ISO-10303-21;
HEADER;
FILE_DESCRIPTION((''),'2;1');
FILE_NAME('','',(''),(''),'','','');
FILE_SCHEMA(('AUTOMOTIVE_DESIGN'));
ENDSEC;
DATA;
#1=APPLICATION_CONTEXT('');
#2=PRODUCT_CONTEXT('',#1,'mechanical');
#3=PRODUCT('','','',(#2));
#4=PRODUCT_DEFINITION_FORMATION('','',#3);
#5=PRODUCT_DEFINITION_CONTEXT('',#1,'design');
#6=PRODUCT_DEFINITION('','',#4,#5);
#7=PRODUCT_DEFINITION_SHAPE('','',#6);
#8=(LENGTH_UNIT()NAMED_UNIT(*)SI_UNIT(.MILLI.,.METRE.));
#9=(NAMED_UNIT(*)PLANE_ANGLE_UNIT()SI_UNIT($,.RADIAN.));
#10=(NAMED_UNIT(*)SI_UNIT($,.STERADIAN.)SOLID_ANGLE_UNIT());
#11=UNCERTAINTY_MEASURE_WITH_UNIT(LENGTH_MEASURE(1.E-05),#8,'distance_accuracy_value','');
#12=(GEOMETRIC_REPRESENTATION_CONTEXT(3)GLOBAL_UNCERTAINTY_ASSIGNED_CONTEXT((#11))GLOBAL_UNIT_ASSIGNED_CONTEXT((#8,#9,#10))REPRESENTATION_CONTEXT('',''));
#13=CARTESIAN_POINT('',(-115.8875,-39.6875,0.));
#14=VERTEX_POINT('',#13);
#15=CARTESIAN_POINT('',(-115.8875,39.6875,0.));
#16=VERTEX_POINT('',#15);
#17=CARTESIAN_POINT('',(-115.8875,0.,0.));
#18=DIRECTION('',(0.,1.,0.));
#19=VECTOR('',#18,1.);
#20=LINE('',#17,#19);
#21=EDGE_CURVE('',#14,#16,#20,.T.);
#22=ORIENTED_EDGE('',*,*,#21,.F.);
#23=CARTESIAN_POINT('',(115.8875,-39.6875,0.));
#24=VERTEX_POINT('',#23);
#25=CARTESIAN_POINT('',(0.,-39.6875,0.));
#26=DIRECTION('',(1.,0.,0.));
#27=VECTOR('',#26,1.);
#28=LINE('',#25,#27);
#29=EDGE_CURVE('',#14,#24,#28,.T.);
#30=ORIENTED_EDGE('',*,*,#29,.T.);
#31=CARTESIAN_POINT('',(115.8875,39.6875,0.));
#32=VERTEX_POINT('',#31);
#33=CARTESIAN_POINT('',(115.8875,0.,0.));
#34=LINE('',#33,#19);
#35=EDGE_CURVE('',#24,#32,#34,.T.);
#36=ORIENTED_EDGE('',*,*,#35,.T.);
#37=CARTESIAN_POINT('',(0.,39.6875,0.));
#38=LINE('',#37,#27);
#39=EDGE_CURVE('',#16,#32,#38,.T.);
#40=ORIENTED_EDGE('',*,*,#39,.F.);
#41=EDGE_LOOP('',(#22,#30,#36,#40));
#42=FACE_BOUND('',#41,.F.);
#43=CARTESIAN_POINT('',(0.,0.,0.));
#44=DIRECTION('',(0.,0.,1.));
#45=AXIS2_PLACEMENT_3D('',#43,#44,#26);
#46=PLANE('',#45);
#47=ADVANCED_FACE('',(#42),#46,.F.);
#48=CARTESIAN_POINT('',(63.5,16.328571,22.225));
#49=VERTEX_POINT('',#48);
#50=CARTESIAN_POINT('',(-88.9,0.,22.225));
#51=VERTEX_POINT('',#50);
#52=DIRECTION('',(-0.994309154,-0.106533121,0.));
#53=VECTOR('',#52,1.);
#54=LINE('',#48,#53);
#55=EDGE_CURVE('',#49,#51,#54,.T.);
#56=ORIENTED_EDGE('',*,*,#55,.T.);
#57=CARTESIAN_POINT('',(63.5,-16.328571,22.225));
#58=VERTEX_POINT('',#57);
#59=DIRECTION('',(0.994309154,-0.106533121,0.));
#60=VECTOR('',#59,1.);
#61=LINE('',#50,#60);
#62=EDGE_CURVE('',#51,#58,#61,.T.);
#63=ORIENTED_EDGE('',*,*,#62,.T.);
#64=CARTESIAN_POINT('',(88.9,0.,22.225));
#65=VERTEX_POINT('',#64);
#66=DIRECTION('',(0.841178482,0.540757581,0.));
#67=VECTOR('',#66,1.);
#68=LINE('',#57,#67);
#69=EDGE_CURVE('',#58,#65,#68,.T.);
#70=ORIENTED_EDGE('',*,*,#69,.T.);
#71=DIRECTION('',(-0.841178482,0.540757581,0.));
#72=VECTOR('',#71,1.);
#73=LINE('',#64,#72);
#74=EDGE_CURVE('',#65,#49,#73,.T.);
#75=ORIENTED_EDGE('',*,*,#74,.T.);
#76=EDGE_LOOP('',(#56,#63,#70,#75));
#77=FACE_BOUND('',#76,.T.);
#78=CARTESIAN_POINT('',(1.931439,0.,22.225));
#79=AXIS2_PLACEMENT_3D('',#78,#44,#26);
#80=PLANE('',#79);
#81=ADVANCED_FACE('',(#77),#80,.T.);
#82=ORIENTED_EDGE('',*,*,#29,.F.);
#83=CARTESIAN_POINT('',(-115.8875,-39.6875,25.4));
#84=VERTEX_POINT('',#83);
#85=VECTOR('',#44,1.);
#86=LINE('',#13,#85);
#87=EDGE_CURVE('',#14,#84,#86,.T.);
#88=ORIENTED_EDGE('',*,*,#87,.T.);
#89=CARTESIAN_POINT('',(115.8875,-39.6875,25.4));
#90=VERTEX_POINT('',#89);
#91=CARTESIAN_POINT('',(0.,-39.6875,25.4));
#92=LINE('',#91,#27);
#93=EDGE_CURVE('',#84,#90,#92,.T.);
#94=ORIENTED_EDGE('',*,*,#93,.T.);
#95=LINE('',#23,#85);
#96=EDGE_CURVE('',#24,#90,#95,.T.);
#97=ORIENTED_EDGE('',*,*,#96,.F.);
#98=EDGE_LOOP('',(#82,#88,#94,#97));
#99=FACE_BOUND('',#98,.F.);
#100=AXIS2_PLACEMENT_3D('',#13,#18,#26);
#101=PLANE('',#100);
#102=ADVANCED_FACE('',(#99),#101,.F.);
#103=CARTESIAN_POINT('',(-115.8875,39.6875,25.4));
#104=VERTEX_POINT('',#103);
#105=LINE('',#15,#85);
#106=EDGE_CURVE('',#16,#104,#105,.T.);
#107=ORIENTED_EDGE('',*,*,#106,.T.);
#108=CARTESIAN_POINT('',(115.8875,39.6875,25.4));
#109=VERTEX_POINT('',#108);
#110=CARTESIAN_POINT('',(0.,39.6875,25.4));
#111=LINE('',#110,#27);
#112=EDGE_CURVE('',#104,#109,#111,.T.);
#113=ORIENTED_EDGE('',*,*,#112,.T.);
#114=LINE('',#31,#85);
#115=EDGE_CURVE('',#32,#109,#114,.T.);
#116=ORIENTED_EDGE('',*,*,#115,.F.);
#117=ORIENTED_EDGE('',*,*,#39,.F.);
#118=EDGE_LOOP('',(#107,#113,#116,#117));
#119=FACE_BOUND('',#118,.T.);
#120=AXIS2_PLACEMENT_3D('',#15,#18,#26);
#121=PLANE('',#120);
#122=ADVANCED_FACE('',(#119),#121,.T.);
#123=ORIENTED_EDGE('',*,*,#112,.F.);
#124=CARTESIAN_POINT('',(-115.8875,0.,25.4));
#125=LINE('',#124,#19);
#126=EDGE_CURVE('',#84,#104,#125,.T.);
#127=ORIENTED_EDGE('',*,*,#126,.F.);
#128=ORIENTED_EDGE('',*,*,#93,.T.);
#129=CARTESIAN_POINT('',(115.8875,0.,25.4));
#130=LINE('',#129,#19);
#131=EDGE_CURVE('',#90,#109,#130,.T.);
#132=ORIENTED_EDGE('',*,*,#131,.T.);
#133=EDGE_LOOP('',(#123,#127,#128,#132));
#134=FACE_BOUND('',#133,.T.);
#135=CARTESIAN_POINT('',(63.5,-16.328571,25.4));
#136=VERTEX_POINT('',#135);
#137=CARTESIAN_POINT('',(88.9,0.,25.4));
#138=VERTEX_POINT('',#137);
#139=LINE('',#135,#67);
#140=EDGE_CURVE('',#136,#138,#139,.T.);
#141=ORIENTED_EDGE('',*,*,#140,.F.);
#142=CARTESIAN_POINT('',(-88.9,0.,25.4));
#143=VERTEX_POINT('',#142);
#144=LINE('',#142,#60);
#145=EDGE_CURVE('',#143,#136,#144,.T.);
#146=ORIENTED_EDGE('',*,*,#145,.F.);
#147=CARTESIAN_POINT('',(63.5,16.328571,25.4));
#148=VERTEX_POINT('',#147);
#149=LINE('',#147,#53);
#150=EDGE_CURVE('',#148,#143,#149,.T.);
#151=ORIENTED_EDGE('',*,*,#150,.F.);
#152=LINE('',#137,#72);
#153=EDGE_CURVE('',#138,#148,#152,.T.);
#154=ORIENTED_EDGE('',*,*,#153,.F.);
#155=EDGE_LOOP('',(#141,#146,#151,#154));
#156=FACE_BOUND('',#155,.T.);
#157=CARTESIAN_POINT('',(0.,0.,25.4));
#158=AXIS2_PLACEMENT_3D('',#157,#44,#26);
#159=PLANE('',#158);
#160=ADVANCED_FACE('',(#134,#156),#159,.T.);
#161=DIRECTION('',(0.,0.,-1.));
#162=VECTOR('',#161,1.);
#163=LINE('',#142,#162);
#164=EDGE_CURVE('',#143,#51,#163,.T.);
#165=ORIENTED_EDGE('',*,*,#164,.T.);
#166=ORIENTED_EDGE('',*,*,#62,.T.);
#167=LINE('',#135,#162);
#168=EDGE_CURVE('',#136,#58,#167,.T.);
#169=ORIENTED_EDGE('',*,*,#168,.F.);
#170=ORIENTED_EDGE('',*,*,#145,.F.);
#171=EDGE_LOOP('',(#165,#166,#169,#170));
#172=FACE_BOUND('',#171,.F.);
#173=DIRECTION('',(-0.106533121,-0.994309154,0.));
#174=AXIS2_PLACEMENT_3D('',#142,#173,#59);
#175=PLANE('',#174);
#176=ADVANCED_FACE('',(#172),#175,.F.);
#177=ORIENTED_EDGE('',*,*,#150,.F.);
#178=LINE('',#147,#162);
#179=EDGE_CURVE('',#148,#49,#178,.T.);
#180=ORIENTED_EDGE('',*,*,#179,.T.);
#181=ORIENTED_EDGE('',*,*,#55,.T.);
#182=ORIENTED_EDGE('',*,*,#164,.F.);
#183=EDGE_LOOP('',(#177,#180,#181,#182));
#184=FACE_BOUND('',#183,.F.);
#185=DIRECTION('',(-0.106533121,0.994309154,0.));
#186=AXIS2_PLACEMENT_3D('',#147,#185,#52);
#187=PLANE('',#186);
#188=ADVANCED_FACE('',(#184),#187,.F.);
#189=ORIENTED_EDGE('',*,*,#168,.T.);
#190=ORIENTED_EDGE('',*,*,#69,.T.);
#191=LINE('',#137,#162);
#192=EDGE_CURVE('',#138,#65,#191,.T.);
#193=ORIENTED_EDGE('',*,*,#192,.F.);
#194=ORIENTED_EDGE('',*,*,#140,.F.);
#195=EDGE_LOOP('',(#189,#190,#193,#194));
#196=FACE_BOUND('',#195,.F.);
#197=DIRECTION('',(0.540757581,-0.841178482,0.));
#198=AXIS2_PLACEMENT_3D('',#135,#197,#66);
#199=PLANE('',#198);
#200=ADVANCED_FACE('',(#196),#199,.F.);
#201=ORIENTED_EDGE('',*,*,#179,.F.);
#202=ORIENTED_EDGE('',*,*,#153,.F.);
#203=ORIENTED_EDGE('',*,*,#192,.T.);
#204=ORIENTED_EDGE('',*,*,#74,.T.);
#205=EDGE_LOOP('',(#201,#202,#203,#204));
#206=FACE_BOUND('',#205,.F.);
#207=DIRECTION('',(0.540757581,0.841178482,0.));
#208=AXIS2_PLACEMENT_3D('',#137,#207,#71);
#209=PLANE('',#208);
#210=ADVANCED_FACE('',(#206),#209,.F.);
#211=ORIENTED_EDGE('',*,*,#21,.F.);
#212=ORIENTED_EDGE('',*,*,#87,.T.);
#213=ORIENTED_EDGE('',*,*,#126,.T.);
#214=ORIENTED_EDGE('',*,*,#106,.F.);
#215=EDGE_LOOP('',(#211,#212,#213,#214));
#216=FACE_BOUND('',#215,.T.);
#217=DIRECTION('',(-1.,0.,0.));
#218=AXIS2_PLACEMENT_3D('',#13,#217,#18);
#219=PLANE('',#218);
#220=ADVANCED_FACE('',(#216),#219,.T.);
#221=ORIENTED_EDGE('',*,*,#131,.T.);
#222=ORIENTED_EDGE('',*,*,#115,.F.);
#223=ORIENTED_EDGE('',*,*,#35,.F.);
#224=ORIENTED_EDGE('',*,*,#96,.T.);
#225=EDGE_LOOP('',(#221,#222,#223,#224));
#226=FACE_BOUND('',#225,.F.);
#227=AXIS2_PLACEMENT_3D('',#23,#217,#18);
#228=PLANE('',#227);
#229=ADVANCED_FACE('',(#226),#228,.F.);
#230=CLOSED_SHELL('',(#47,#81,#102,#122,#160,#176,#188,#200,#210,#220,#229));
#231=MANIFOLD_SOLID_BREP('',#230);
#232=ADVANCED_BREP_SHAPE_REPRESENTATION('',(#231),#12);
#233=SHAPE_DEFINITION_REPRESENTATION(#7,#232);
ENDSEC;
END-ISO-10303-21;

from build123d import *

# Parameters (mm, degrees)
F0_W     = 231.775
F0_H     = 79.375
F1_DEPTH = 25.4
F3_DEPTH = 3.175


with BuildPart() as f1:
    # F0 (on Top) → F1 (new body)
    with BuildSketch(Plane.XY):
        Rectangle(F0_W, F0_H)
    extrude(amount=F1_DEPTH)

    # F2 (on face) → F3 (cut)
    with BuildSketch(Plane.XY.offset(25.4)):
        Polygon((63.5, 16.328571), (-88.9, 0), (63.5, -16.328571), (88.9, 0), align=None)
    extrude(amount=-F3_DEPTH, mode=Mode.SUBTRACT)


solid = f1.part
